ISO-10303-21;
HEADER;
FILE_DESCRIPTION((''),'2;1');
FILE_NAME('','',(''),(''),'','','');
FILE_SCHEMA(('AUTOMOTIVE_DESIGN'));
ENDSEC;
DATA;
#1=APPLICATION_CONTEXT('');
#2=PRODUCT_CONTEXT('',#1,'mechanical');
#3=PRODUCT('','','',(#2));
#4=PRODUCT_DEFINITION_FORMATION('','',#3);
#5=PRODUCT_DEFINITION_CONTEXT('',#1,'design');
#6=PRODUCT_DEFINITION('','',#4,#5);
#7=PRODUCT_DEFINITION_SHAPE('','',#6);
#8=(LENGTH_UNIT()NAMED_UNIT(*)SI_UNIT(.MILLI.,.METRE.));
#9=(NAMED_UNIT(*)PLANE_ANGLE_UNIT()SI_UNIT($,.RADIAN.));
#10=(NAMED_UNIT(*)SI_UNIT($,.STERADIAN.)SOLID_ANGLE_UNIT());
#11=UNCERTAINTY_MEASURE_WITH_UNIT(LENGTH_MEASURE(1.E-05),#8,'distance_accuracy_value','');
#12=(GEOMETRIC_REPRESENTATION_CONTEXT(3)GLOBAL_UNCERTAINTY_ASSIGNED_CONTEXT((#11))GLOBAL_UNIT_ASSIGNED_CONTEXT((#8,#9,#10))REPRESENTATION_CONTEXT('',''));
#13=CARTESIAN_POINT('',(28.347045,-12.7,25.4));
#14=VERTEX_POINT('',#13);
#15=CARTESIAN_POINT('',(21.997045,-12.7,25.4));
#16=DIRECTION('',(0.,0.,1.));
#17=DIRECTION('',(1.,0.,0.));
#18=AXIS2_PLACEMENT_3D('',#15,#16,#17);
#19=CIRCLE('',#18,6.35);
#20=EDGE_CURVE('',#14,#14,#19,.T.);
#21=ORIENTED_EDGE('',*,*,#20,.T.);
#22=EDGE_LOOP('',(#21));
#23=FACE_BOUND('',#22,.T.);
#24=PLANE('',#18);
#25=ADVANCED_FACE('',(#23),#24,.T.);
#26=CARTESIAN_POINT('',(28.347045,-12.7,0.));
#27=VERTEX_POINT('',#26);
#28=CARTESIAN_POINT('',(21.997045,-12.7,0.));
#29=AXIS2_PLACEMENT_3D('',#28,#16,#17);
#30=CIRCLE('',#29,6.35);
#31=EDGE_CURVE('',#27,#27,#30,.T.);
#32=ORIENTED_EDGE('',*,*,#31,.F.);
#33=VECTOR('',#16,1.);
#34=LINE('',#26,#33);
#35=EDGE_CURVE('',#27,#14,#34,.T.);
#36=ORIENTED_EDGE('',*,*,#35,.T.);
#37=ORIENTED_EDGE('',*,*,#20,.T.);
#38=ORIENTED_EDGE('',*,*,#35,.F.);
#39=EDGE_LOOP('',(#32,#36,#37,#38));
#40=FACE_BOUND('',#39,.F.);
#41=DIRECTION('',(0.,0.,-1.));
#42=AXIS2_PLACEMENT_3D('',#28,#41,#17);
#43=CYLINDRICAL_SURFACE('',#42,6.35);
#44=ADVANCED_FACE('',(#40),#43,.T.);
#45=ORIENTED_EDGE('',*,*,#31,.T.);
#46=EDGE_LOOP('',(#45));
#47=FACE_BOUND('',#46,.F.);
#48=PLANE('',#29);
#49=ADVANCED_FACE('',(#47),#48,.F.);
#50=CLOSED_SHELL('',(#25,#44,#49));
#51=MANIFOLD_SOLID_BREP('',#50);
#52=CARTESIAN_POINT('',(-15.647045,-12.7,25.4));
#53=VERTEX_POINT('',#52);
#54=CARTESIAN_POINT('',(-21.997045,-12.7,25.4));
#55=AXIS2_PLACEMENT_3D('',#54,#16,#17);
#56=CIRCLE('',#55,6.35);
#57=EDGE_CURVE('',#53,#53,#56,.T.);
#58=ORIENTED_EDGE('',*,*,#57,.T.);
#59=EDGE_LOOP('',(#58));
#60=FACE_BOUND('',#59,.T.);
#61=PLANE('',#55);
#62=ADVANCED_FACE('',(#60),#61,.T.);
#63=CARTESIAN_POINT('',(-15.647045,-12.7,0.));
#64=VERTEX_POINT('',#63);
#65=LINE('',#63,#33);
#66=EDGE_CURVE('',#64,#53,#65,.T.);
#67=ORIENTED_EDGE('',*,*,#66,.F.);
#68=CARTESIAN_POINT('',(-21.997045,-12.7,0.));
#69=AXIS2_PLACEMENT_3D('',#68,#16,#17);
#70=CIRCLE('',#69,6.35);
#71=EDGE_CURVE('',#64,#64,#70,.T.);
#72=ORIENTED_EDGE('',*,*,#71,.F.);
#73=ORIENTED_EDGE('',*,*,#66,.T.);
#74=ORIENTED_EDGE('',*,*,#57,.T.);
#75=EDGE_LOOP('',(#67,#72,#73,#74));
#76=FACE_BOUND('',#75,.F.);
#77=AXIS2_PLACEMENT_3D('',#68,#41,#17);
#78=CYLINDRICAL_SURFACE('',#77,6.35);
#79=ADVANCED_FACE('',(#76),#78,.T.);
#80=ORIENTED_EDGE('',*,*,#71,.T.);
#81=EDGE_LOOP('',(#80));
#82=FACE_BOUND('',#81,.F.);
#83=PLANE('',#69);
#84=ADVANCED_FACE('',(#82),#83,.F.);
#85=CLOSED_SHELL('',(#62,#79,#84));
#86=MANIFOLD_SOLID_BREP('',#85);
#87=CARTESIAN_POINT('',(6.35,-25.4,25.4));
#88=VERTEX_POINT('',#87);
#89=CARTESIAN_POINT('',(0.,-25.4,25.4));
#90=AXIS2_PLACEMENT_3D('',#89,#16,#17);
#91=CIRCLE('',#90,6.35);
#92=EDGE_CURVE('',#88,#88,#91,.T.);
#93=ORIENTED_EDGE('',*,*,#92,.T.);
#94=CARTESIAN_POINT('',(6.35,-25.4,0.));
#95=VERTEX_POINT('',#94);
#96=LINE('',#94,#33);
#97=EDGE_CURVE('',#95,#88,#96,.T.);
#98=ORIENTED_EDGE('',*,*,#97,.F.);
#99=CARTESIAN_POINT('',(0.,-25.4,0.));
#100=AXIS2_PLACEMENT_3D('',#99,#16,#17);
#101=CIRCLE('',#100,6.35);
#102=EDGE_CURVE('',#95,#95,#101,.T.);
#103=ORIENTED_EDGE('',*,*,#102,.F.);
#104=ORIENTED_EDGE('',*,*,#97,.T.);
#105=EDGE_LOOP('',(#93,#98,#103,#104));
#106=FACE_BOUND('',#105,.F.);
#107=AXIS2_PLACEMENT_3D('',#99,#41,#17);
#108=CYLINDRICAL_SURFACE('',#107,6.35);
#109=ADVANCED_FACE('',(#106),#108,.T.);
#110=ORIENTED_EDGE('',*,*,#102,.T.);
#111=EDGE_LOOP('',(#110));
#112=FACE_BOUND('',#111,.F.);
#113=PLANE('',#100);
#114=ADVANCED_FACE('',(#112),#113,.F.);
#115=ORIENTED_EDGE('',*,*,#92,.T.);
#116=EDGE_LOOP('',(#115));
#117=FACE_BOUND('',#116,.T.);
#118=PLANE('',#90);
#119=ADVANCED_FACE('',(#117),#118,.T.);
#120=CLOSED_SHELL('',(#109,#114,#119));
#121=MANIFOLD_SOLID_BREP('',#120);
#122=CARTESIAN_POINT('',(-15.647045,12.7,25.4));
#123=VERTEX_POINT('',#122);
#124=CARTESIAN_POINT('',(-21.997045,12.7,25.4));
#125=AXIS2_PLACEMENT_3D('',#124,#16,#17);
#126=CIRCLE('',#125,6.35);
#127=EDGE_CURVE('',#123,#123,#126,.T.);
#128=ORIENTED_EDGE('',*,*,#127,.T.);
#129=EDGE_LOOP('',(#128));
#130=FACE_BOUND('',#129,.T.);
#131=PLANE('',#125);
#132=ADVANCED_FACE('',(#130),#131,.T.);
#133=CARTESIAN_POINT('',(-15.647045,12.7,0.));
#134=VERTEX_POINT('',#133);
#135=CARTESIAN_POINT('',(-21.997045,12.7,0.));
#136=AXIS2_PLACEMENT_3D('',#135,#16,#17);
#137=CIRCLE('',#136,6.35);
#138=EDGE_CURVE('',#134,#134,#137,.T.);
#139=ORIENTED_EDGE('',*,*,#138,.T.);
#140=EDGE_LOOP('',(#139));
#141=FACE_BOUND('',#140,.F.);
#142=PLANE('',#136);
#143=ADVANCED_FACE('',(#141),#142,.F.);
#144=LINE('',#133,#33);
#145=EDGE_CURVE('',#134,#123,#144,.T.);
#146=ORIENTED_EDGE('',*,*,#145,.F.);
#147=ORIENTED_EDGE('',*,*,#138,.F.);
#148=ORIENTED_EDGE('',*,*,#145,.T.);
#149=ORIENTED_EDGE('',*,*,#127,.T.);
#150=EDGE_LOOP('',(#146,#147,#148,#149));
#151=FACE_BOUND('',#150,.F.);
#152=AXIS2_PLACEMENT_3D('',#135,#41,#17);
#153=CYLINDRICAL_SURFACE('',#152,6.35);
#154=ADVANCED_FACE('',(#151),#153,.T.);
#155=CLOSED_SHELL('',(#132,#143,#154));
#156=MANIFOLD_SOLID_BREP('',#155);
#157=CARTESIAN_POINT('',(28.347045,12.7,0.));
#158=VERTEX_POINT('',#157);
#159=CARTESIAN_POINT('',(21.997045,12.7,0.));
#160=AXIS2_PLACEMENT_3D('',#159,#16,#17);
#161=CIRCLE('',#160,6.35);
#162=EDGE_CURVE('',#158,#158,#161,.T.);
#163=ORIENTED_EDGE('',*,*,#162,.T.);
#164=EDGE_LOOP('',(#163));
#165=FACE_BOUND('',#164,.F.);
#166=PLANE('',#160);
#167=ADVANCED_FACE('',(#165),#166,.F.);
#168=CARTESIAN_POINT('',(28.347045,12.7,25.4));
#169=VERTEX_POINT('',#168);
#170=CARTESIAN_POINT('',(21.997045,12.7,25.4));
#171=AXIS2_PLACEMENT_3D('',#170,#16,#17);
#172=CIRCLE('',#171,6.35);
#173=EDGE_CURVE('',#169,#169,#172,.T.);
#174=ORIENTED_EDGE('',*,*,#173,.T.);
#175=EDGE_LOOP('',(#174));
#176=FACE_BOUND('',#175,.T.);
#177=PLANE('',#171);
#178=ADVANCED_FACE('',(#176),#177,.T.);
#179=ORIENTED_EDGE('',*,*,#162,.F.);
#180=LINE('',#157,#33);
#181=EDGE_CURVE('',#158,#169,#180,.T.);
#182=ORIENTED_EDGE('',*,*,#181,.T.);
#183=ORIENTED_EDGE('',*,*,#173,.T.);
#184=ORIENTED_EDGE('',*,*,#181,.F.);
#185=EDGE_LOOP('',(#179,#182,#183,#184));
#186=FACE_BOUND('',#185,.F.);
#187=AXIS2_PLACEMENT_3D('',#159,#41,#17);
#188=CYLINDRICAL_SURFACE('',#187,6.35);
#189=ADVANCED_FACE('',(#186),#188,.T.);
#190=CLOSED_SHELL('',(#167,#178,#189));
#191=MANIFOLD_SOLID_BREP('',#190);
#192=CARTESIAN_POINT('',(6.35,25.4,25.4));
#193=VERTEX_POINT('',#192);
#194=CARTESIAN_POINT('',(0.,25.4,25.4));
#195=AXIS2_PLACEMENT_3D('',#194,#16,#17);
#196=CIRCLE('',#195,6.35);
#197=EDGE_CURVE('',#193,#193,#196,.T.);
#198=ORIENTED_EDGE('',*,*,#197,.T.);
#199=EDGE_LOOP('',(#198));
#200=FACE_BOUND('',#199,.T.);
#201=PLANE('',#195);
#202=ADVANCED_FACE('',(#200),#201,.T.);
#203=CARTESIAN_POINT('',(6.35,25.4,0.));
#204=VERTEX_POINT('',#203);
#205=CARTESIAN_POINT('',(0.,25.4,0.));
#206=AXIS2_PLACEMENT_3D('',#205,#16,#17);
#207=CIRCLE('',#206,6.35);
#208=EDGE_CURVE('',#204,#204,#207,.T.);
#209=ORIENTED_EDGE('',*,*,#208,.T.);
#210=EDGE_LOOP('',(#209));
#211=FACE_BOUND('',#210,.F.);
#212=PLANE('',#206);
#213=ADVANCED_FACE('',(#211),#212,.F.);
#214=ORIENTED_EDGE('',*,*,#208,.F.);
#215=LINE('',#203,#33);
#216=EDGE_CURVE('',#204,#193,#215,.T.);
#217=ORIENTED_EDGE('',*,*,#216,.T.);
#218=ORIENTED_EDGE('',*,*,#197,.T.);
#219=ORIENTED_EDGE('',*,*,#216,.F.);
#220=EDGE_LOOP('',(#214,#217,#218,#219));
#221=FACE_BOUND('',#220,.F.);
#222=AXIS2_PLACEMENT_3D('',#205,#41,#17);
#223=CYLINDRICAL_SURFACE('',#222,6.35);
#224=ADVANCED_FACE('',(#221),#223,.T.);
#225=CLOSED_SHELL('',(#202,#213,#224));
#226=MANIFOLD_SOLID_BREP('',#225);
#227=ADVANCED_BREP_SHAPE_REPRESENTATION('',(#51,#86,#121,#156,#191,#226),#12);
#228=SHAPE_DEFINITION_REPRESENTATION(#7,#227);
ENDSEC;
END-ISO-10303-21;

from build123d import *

# Parameters (mm, degrees)
F0_R     = 6.35
F1_DEPTH = 25.4


with BuildPart() as f1:
    # F0 (on Top) → F1 (new body)
    with BuildSketch(Plane.XY):
        with Locations((0, 25.4)):
            Circle(F0_R)
        with Locations((-21.997045, -12.7)):
            Circle(F0_R)
        with Locations((21.997045, -12.7)):
            Circle(F0_R)
        with Locations((21.997045, 12.7)):
            Circle(F0_R)
        with Locations((-21.997045, 12.7)):
            Circle(F0_R)
        with Locations((0, -25.4)):
            Circle(F0_R)
    extrude(amount=F1_DEPTH)


solid = f1.part
